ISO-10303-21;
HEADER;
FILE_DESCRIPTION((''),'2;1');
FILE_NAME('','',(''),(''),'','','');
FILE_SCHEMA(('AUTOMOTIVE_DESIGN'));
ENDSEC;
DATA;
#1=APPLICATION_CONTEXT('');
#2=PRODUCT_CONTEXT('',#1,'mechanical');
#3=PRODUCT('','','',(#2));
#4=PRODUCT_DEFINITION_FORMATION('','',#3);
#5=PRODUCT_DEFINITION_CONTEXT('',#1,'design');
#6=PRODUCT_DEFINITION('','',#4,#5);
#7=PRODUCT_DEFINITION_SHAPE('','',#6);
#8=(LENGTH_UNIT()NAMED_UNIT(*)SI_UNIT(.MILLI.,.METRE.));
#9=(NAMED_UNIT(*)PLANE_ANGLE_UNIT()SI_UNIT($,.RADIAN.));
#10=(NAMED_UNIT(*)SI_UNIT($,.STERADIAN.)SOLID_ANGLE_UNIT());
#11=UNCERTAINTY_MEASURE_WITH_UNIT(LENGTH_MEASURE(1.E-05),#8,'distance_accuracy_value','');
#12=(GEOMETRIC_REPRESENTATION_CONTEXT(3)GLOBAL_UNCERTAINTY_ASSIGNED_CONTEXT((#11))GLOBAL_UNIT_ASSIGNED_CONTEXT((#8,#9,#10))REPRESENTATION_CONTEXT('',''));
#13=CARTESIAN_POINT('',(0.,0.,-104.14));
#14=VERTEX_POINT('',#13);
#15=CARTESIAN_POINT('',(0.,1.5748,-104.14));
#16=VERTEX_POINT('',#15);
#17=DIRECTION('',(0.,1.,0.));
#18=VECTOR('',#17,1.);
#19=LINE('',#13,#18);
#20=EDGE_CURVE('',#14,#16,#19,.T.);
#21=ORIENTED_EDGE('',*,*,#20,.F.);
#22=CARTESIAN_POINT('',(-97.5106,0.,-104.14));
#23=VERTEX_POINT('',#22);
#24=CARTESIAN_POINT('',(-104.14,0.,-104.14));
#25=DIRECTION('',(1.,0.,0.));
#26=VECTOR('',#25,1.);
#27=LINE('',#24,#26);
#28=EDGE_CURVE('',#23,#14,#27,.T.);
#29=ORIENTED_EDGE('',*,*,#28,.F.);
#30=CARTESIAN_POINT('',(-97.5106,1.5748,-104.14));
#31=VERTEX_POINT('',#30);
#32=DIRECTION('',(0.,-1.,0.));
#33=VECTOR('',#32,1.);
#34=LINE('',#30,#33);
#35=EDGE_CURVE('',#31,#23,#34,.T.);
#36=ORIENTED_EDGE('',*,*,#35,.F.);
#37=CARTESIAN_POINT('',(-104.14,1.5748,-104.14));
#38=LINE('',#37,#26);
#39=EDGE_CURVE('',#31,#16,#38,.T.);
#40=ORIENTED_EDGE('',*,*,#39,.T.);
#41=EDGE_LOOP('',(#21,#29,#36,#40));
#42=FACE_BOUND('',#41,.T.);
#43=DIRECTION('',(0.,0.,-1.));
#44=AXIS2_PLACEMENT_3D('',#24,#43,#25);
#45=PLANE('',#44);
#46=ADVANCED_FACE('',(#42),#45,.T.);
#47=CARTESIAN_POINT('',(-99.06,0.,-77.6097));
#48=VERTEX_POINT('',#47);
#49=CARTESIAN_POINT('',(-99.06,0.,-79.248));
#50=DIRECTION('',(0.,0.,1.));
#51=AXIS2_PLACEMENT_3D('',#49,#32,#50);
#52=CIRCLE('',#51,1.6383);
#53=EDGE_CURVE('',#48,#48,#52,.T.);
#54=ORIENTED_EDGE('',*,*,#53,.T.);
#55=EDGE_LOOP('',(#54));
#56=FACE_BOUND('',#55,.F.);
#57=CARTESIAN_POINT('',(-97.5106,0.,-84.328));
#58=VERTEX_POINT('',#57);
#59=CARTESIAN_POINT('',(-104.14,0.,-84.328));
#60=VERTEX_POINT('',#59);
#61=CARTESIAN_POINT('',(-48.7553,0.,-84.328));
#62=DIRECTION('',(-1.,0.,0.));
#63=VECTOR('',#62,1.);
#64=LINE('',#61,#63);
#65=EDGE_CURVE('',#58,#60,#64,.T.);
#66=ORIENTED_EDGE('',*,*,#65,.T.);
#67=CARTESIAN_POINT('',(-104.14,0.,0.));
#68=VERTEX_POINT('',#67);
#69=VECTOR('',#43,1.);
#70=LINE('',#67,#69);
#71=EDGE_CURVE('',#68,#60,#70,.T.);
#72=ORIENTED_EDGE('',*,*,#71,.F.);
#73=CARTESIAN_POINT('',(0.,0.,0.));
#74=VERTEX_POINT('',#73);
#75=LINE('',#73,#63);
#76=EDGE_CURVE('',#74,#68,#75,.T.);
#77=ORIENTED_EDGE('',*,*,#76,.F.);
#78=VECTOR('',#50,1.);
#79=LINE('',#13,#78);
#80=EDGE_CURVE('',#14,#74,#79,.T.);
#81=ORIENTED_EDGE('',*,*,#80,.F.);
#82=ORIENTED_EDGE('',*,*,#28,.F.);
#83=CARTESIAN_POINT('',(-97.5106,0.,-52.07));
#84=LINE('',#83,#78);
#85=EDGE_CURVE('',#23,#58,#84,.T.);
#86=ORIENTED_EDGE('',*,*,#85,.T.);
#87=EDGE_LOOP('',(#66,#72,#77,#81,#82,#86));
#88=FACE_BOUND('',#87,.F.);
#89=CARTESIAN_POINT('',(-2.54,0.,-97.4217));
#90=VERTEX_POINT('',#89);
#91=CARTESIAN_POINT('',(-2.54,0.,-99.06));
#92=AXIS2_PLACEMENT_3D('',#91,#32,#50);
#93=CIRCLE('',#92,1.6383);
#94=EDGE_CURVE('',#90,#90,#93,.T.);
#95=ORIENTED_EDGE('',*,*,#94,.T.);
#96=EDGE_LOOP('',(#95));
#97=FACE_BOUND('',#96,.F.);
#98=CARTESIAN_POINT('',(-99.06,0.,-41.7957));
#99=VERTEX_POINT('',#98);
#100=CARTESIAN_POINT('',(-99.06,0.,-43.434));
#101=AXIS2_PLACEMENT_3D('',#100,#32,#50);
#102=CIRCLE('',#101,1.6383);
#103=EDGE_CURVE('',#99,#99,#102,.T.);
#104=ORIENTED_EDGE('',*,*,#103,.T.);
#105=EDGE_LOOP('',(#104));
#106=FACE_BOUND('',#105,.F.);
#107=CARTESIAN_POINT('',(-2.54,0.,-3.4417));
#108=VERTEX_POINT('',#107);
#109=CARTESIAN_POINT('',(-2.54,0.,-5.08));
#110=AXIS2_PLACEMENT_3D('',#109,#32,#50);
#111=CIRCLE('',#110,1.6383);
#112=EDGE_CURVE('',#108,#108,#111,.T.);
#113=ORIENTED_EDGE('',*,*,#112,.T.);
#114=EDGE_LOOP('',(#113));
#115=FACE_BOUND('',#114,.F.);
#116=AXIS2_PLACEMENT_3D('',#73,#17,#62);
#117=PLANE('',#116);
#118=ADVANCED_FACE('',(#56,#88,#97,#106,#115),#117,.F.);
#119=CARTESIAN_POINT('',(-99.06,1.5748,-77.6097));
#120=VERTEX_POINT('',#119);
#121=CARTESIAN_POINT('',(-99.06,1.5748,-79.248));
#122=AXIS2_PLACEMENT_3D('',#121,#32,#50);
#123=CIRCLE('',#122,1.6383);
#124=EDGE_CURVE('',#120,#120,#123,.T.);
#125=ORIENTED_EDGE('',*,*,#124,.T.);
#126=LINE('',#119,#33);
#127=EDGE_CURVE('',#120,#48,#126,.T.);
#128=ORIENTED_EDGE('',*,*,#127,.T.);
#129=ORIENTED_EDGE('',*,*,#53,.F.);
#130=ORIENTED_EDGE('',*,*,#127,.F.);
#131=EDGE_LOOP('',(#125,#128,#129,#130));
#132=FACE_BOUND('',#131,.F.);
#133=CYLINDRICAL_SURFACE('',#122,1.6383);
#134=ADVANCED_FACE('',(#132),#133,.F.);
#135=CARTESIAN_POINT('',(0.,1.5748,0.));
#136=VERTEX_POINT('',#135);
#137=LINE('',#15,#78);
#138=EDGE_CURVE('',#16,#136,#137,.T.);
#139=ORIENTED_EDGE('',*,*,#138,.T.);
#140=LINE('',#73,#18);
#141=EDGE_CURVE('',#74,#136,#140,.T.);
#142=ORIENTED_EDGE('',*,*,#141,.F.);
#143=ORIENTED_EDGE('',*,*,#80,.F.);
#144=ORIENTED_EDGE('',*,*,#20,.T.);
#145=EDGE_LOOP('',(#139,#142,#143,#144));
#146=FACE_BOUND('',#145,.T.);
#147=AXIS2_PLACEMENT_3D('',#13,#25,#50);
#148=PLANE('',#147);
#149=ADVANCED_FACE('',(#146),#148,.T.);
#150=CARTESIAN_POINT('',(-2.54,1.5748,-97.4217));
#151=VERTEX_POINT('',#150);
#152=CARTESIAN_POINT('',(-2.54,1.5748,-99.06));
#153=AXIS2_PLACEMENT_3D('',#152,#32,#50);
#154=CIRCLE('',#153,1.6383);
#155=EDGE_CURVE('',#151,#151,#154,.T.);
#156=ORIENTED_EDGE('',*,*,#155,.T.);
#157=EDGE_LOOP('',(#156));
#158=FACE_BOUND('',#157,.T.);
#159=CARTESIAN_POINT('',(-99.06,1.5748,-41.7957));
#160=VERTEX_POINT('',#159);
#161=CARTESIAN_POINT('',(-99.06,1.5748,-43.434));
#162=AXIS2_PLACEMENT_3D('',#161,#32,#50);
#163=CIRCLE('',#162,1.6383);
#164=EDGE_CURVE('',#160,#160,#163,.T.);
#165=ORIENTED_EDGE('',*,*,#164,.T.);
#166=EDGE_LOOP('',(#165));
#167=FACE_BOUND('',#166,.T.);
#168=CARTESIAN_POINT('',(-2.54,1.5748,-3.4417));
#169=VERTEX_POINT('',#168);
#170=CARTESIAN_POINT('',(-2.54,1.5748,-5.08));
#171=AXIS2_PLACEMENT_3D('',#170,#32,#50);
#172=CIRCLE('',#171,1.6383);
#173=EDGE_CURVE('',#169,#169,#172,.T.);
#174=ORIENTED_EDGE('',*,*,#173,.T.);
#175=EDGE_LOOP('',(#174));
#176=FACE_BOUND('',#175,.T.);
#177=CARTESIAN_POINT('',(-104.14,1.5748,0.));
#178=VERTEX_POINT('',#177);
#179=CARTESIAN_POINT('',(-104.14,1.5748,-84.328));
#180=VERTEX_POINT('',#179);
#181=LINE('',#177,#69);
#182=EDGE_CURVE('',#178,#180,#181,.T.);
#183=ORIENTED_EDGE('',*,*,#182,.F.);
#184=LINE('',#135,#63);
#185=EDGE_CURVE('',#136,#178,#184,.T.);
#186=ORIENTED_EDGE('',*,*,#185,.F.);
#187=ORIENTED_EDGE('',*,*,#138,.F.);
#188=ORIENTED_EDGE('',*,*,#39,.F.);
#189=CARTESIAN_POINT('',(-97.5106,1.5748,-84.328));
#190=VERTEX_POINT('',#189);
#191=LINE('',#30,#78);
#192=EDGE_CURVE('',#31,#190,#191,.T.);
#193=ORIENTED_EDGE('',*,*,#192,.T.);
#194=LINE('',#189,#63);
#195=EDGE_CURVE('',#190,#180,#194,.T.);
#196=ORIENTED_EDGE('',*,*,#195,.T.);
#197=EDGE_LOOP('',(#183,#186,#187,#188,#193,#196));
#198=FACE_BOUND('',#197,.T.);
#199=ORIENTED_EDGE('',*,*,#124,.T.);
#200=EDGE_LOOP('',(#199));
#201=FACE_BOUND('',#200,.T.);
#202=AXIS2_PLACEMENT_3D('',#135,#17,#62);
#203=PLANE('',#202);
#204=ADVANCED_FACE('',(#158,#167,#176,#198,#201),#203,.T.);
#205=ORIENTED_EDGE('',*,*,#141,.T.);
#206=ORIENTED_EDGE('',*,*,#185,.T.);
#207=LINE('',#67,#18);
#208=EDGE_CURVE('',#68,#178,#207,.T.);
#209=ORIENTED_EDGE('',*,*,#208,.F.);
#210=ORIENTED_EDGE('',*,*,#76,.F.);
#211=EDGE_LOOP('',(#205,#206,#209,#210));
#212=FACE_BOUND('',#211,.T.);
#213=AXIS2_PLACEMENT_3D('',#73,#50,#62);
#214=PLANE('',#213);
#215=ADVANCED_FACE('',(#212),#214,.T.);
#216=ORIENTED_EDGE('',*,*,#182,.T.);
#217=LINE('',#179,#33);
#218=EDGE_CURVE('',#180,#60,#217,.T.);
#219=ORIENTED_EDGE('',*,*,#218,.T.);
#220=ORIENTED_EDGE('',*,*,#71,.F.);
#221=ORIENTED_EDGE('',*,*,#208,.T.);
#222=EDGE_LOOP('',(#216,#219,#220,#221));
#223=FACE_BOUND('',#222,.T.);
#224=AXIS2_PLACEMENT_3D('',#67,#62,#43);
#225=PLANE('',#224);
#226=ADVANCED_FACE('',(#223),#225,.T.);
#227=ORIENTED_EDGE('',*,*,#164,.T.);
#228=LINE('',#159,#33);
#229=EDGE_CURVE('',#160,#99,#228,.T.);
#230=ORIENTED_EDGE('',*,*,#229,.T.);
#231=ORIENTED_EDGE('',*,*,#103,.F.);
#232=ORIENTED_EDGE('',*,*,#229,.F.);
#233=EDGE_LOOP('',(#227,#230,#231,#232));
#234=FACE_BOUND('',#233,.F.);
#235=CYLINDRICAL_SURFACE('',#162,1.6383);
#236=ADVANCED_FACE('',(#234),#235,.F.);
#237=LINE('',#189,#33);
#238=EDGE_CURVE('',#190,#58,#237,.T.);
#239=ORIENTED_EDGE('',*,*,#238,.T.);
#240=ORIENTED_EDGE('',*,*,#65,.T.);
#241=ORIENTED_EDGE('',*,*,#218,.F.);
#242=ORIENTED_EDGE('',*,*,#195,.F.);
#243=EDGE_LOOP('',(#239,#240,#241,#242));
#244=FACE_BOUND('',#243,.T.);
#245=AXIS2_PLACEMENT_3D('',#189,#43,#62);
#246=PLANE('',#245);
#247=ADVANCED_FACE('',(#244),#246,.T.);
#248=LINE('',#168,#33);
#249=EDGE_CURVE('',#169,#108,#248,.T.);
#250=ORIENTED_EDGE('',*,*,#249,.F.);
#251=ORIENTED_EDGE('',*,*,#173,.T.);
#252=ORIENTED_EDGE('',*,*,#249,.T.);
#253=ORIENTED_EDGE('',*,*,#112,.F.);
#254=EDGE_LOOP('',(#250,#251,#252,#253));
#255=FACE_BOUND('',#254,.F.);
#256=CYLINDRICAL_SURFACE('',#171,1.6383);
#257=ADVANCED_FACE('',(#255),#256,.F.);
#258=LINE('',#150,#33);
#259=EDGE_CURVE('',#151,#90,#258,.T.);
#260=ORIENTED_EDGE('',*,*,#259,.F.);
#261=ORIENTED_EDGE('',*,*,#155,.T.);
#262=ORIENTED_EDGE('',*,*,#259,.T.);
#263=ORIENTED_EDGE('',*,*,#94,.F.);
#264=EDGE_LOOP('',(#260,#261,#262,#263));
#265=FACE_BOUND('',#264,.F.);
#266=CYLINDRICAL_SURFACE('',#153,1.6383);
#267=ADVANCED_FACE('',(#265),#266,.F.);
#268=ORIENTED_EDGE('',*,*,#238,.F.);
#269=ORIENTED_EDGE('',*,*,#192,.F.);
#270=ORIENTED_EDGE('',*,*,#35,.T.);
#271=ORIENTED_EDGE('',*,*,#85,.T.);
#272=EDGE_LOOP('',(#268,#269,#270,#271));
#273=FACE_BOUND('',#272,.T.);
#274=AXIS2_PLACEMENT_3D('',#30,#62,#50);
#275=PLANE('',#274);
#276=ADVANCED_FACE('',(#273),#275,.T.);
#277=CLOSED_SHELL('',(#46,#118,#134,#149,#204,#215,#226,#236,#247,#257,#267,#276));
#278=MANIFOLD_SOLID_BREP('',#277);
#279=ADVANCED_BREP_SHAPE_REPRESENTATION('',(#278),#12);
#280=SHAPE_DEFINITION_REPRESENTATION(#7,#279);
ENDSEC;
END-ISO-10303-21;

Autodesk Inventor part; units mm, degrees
ref_plane "YZ Plane" through (0, 0, 0) normal (1, 0, 0) x (0, 1, 0)
ref_plane "XZ Plane" through (0, 0, 0) normal (0, 1, 0) x (-1, 0, 0)
ref_plane "XY Plane" through (0, 0, 0) normal (0, 0, 1) x (1, 0, 0)
sketch "Sketch1" plane through (0, 0, 0) normal (0, 1, 0) x (-1, 0, 0)
  line L0 (0, 0) -> (104.14, 0)
  line L1 (104.14, 0) -> (104.14, -104.14)
  line L2 (104.14, -104.14) -> (0, -104.14)
  line L3 (0, -104.14) -> (0, 0)
  dimension "d0" = 104.14
  dimension "d1" = 104.14
extrude "Extrusion1" add sketch "Sketch1" along normal blind 1.5748
hole "Hole1" at (-2.54, 1.5748, -5.08) direction (0, -1, 0) diameter 3.2766 depth 25.4 clearance for "Flat Head Machine Screw (82)" size "#4" standard "Ansi Unified Screw Threads"
hole "Hole2" at (-2.54, 1.5748, -99.06) direction (0, -1, 0) diameter 3.2766 depth 25.4 clearance for "Flat Head Machine Screw (82)" size "#4" standard "Ansi Unified Screw Threads"
sketch "Sketch3" plane through (0, 1.5748, 0) normal (0, 1, 0) x (1, 0, 0)
  line L0 (0, 104.14) -> (-104.14, 104.14) projected
  line L1 (-104.14, 104.14) -> (-97.5106, 104.14)
  line L2 (-97.5106, 104.14) -> (-97.5106, 84.328)
  line L3 (-97.5106, 84.328) -> (-104.14, 84.328)
  line L4 (-104.14, 84.328) -> (-104.14, 104.14)
  line L5 (-104.14, 0) -> (0, 0) projected
  dimension "d46" = 6.6294
  dimension "d47" = 84.328
extrude "Extrusion3" cut sketch "Sketch3" against normal blind 25.4
hole "Hole5" at (-99.06, 1.5748, -79.248) direction (0, -1, 0) diameter 3.2766 depth 25.4 clearance for "Flat Head Machine Screw (82)" size "#4" standard "Ansi Unified Screw Threads"
hole "Hole6" at (-99.06, 1.5748, -43.434) direction (0, -1, 0) diameter 3.2766 depth 25.4 clearance for "Flat Head Machine Screw (82)" size "#4" standard "Ansi Unified Screw Threads"
properties part number "PCB"
